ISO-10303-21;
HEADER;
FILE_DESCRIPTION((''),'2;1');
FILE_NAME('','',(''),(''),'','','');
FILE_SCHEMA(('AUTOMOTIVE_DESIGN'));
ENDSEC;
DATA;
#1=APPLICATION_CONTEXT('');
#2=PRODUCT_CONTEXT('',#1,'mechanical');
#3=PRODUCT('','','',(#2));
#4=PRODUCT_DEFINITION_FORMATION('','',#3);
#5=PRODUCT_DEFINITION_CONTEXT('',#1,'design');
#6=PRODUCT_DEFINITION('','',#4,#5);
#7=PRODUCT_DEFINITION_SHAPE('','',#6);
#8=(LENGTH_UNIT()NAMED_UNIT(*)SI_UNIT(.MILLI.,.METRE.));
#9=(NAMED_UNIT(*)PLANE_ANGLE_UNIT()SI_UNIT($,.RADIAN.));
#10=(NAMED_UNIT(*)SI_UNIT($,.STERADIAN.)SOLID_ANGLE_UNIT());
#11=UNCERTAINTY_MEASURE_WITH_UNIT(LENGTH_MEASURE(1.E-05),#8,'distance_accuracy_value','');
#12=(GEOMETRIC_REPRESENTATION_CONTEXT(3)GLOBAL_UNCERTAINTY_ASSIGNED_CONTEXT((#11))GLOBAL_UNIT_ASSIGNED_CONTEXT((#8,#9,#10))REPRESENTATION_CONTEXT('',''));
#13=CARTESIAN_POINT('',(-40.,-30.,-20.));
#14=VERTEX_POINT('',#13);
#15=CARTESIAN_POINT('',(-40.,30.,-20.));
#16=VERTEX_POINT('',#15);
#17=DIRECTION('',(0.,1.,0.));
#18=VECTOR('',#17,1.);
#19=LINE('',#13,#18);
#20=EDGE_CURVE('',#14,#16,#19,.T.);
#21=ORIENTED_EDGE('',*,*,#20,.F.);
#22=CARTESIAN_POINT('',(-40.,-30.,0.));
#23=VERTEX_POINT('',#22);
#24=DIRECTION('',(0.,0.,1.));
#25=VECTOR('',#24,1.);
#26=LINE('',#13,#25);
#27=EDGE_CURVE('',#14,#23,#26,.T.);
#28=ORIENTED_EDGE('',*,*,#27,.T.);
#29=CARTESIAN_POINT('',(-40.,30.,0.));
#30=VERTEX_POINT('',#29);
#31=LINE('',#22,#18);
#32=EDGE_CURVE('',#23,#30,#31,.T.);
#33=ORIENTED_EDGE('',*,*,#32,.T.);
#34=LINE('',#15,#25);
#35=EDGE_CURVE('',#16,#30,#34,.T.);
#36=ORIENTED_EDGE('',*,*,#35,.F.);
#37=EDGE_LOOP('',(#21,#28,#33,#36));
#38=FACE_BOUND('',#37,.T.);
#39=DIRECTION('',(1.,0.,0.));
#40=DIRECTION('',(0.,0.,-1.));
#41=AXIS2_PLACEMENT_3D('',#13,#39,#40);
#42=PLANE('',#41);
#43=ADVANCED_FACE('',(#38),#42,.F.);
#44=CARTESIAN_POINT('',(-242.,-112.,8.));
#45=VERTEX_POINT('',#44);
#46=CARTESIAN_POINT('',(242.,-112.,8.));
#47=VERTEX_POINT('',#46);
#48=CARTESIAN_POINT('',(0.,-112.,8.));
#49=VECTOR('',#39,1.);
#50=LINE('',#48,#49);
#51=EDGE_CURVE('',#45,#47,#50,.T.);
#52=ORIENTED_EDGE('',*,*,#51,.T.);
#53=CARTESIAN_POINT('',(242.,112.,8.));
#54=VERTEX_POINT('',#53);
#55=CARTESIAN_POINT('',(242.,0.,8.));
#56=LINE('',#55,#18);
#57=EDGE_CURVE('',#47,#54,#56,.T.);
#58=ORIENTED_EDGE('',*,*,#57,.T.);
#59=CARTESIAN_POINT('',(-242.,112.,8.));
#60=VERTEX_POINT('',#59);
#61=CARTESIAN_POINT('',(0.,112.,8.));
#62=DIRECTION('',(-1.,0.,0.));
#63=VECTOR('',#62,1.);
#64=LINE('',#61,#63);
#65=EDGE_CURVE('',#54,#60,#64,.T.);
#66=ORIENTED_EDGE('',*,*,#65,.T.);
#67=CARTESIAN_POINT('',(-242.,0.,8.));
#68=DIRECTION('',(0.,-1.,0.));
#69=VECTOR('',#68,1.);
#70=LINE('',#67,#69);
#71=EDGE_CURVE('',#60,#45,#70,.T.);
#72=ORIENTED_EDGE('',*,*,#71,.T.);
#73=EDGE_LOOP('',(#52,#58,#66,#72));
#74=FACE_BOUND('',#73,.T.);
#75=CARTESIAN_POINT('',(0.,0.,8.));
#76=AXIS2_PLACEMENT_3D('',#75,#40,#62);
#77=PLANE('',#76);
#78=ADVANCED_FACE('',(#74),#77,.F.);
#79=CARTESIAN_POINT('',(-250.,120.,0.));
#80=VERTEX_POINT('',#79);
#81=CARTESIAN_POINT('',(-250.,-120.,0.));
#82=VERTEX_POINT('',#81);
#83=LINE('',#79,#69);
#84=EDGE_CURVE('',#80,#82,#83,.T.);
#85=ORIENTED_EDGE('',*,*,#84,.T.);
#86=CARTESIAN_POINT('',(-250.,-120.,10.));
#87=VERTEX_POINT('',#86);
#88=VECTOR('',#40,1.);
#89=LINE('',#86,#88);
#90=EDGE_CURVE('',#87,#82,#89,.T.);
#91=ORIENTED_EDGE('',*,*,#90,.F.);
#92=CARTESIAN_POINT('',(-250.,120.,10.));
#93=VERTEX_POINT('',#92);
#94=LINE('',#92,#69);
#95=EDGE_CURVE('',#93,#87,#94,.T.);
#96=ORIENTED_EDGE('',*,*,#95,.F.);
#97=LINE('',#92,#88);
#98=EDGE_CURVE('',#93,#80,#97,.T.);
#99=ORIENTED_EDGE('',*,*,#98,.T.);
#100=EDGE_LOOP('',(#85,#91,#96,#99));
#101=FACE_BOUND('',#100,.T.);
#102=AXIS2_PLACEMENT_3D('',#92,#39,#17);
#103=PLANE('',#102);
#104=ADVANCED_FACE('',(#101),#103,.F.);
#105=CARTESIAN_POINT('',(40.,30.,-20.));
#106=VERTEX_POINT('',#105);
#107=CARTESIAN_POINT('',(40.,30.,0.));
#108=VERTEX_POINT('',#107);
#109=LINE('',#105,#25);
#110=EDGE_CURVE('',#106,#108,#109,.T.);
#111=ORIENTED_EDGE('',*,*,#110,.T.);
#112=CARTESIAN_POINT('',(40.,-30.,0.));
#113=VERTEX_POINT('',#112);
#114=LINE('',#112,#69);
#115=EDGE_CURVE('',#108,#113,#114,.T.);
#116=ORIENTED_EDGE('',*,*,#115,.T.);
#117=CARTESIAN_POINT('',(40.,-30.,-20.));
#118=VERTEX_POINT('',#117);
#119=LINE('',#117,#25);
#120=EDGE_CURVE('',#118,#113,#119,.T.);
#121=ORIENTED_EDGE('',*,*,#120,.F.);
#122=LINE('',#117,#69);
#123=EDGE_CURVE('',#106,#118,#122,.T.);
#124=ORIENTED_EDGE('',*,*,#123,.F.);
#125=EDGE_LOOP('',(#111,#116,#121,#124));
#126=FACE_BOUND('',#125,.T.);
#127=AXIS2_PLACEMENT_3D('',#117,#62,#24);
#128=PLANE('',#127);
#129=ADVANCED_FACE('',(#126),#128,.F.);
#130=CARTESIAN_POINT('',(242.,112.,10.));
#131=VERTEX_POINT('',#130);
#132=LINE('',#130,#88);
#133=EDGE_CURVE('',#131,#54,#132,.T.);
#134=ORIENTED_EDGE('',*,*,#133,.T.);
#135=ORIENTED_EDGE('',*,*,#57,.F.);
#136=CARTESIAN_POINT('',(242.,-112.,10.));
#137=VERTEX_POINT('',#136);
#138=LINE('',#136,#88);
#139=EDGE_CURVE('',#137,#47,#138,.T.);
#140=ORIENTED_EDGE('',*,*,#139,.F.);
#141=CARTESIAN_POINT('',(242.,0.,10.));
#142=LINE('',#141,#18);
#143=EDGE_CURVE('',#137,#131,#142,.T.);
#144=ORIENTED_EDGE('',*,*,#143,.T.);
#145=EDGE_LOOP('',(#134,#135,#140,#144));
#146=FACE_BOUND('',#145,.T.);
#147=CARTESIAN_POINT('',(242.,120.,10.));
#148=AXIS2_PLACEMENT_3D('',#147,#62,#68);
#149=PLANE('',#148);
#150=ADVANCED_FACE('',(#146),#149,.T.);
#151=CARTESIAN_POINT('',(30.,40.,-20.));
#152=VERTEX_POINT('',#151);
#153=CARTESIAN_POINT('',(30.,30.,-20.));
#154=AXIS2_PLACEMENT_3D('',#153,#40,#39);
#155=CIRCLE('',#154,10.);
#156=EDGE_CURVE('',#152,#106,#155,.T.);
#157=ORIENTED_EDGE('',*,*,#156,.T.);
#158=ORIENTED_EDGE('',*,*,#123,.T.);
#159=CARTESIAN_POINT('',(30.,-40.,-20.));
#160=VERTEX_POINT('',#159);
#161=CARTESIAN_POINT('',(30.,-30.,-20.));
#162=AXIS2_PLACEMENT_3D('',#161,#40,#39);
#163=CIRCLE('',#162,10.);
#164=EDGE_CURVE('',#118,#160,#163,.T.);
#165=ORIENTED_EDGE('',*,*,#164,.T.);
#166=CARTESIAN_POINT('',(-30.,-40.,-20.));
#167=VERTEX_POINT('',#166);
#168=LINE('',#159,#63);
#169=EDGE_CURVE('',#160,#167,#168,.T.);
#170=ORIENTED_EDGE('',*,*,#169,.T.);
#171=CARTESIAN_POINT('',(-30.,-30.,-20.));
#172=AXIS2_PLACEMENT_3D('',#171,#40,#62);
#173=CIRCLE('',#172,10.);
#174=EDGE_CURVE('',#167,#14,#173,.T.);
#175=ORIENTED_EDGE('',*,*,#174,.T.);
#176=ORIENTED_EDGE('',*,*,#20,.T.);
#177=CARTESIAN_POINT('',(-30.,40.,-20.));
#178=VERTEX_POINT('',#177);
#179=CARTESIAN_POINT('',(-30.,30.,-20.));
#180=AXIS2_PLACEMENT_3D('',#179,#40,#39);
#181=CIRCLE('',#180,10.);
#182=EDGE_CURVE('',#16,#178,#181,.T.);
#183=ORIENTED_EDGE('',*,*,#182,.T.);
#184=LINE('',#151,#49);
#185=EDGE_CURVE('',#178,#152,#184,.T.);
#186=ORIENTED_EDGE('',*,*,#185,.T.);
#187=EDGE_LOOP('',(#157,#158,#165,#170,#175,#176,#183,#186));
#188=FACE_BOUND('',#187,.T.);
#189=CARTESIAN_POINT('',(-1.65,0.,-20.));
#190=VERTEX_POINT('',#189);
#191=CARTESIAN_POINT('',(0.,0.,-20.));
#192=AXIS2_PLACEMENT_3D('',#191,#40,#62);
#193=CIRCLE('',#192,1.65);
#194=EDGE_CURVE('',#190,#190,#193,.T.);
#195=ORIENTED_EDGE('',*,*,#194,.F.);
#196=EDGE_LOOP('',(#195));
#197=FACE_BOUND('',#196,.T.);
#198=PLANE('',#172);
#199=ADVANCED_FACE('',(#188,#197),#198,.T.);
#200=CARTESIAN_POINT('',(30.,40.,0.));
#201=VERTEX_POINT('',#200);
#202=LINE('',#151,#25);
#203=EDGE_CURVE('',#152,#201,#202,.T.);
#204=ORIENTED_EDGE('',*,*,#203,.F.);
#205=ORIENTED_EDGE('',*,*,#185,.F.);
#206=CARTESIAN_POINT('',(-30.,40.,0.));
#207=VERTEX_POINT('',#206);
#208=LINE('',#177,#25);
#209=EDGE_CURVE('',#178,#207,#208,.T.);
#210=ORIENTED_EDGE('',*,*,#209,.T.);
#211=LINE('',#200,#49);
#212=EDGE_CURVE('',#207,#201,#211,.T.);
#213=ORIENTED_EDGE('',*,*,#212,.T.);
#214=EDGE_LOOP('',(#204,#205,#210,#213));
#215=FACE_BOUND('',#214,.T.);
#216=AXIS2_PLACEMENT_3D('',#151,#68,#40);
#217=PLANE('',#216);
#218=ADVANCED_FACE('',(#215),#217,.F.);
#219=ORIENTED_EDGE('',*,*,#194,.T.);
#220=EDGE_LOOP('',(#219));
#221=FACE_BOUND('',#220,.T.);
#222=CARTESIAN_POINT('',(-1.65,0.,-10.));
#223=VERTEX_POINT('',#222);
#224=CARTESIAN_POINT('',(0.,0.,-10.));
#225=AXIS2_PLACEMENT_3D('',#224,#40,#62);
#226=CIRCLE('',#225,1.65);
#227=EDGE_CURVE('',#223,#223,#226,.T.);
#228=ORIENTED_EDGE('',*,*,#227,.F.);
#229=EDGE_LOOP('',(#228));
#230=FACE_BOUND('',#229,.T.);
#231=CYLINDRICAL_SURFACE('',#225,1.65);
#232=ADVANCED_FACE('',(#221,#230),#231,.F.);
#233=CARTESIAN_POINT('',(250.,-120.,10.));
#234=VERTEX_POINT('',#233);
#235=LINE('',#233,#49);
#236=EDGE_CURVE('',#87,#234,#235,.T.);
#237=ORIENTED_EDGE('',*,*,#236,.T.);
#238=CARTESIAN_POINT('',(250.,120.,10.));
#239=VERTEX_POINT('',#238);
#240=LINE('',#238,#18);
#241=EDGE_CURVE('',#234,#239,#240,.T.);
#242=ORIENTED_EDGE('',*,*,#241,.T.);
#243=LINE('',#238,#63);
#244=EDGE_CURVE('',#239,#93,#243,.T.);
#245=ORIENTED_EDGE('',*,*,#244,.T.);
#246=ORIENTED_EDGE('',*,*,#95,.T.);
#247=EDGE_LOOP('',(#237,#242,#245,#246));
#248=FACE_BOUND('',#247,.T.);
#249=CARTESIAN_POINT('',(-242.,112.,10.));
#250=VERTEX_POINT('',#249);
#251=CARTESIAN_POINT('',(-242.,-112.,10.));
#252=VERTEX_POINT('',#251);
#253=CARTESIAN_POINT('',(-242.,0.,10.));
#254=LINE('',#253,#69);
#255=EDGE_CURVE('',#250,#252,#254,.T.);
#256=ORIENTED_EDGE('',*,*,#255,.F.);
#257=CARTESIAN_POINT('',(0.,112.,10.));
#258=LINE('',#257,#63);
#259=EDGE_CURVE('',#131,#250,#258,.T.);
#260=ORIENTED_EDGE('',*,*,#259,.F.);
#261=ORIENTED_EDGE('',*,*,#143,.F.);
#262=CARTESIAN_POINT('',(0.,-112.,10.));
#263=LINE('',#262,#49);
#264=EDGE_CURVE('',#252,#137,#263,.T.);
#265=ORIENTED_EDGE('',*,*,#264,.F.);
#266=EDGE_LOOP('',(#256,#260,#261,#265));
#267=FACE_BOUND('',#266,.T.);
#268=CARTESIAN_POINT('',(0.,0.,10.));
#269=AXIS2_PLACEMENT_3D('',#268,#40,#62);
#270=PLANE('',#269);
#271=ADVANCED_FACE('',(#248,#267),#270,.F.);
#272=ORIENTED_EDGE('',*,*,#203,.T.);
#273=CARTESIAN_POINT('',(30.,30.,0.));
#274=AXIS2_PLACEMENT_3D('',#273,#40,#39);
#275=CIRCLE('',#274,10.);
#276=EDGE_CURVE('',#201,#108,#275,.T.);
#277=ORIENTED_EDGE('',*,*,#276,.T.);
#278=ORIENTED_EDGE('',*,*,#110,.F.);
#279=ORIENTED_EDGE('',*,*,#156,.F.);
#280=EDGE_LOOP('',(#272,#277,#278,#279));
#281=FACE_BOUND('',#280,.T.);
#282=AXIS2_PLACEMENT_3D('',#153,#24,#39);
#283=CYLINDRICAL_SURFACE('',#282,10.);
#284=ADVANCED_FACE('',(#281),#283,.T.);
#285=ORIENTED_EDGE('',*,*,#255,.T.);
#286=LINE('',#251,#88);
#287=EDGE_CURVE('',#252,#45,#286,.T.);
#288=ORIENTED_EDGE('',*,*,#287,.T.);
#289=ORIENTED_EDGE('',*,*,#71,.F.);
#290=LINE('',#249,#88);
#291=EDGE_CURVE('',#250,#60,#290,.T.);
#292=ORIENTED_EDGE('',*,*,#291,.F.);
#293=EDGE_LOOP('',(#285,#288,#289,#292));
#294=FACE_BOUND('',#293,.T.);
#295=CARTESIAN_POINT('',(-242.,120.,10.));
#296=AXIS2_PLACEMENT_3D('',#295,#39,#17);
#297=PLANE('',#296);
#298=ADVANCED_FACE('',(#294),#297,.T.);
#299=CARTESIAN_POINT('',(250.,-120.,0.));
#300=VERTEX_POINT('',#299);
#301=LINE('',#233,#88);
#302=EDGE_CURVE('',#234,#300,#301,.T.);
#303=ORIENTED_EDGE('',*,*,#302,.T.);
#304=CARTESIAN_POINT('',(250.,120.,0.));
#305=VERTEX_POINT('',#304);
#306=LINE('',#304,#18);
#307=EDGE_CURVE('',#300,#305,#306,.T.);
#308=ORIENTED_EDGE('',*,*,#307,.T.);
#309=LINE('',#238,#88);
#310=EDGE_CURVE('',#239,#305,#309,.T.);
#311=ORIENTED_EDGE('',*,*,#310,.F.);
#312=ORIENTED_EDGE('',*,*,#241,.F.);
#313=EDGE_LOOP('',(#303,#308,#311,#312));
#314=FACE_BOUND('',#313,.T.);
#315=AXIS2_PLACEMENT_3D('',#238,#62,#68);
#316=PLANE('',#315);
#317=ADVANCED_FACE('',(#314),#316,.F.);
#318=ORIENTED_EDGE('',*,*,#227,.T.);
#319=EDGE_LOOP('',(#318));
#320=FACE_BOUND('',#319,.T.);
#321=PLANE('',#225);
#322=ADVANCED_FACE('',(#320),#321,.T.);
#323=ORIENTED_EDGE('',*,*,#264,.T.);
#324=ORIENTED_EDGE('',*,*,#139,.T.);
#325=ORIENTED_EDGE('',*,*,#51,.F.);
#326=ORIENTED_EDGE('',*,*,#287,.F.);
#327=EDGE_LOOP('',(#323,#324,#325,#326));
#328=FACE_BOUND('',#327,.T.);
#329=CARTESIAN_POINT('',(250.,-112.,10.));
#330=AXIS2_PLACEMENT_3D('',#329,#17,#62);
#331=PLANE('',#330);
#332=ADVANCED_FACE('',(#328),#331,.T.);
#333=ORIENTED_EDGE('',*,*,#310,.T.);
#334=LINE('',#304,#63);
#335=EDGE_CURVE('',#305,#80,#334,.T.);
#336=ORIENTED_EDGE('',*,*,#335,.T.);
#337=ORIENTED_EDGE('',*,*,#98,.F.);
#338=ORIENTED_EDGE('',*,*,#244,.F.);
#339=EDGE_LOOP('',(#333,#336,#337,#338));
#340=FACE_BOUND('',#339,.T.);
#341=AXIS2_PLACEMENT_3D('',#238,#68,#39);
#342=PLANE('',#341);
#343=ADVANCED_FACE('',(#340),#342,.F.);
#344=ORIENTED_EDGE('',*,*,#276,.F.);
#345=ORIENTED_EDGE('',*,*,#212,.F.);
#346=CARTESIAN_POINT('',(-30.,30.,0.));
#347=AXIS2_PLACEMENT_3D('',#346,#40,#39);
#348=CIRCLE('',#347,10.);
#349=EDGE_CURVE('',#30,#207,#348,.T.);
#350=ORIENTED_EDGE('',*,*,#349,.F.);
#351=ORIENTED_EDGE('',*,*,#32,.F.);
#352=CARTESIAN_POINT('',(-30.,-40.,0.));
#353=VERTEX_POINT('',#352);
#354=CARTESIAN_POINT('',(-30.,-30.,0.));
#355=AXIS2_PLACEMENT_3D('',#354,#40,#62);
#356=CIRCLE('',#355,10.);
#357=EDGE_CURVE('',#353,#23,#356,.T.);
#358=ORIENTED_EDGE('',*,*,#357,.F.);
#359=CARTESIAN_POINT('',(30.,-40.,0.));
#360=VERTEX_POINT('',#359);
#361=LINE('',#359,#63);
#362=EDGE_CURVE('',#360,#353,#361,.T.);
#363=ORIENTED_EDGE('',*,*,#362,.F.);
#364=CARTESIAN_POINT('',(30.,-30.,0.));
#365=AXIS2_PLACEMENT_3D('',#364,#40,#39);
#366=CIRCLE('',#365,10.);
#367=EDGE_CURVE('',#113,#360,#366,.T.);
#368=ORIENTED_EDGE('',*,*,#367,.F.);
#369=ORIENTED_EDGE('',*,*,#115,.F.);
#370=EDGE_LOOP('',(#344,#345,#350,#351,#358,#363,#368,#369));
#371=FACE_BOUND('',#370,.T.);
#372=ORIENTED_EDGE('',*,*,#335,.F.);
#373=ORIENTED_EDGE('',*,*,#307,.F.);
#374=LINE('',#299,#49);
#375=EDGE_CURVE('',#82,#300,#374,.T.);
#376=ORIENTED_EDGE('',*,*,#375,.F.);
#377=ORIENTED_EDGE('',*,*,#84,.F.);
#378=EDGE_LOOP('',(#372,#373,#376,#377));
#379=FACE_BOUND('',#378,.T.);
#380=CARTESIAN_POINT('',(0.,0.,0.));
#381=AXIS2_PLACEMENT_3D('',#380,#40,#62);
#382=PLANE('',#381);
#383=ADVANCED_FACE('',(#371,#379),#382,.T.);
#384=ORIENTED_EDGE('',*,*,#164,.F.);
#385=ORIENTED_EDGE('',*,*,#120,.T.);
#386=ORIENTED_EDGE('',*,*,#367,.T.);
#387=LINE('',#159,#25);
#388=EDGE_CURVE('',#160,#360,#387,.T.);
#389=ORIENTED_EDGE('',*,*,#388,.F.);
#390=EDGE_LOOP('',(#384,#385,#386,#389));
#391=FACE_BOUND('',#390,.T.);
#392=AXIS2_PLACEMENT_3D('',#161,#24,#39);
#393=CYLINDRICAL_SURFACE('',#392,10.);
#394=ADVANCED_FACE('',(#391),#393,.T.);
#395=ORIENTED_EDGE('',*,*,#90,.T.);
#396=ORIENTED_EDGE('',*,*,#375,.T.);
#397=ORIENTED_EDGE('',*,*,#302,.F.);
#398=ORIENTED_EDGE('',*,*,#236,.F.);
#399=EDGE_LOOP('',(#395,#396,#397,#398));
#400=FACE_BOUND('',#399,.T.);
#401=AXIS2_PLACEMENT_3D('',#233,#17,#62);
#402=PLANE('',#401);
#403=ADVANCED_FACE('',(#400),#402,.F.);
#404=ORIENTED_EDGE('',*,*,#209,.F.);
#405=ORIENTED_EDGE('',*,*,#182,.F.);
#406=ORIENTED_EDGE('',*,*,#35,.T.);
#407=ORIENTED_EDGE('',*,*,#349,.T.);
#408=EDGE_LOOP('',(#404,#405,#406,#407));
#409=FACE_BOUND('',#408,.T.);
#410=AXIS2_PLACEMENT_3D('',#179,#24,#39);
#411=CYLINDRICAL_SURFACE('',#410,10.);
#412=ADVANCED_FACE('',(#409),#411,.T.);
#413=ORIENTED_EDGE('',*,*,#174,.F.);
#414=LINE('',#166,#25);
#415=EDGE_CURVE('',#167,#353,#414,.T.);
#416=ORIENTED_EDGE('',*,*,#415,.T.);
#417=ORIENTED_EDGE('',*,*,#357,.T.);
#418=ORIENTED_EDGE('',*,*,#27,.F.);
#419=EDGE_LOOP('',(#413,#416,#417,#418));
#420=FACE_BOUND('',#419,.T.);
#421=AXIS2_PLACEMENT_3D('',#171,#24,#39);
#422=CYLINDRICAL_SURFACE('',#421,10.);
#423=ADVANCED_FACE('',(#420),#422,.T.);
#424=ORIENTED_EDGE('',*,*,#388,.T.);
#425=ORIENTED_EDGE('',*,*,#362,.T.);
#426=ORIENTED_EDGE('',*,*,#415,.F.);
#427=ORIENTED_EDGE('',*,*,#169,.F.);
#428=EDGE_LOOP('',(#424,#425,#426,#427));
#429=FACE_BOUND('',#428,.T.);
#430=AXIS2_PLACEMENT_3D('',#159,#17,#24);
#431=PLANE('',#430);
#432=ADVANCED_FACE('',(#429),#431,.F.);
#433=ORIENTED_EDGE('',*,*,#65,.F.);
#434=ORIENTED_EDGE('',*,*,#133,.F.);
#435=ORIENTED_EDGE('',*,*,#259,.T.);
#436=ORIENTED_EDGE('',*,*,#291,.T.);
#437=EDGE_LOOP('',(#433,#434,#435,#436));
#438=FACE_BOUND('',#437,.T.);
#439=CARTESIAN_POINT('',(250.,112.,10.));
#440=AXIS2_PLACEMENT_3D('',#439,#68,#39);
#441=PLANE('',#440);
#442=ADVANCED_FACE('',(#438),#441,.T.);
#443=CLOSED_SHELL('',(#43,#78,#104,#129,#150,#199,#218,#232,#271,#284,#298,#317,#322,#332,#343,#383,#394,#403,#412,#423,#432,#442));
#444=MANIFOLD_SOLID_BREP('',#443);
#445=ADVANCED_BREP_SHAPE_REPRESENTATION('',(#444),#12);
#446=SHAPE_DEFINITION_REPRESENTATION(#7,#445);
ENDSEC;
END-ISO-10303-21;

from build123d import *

# Parameters (mm, degrees)
SKETCH_1_W          = 500
SKETCH_1_H          = 240
EXTRUDE_1_DEPTH     = 10
SHELL_1_T           = -8
EXTRUDE_2_DEPTH     = 20
SKETCH_9_R          = 1.65
CUT_EXTRUDE_1_DEPTH = 10


with BuildPart() as part:
    # 草圖1 → 填料-伸長1 (new body)
    with BuildSketch(Plane.XY):
        Rectangle(SKETCH_1_W, SKETCH_1_H)
    extrude(amount=EXTRUDE_1_DEPTH)

    # 薄殼1
    shell_1_openings = [part.faces().sort_by_distance(p)[0] for p in [
        (0, 0, 10),
    ]]
    offset(amount=SHELL_1_T, openings=shell_1_openings, kind=Kind.INTERSECTION)

    # 草圖2 → 填料-伸長2 (add)
    with BuildSketch(Plane(origin=(0, 0, 0), x_dir=(-1, 0, 0), z_dir=(0, 0, -1))):
        with BuildLine():
            Line((-30, -40), (30, -40))
            ThreePointArc((30, -40), (37.071067812, -37.071067812), (40, -30))
            Line((40, -30), (40, 30))
            ThreePointArc((40, 30), (37.071067812, 37.071067812), (30, 40))
            Line((30, 40), (-30, 40))
            ThreePointArc((-30, 40), (-37.071067812, 37.071067812), (-40, 30))
            Line((-40, 30), (-40, -30))
            ThreePointArc((-40, -30), (-37.071067812, -37.071067812), (-30, -40))
        make_face()
    extrude(amount=EXTRUDE_2_DEPTH)

    # 草圖9 → 除料-伸長1 (cut)
    with BuildSketch(Plane(origin=(0, 0, -20), x_dir=(-1, 0, 0), z_dir=(0, 0, -1))):
        Circle(SKETCH_9_R)
    extrude(amount=-CUT_EXTRUDE_1_DEPTH, mode=Mode.SUBTRACT)


solid = part.part
